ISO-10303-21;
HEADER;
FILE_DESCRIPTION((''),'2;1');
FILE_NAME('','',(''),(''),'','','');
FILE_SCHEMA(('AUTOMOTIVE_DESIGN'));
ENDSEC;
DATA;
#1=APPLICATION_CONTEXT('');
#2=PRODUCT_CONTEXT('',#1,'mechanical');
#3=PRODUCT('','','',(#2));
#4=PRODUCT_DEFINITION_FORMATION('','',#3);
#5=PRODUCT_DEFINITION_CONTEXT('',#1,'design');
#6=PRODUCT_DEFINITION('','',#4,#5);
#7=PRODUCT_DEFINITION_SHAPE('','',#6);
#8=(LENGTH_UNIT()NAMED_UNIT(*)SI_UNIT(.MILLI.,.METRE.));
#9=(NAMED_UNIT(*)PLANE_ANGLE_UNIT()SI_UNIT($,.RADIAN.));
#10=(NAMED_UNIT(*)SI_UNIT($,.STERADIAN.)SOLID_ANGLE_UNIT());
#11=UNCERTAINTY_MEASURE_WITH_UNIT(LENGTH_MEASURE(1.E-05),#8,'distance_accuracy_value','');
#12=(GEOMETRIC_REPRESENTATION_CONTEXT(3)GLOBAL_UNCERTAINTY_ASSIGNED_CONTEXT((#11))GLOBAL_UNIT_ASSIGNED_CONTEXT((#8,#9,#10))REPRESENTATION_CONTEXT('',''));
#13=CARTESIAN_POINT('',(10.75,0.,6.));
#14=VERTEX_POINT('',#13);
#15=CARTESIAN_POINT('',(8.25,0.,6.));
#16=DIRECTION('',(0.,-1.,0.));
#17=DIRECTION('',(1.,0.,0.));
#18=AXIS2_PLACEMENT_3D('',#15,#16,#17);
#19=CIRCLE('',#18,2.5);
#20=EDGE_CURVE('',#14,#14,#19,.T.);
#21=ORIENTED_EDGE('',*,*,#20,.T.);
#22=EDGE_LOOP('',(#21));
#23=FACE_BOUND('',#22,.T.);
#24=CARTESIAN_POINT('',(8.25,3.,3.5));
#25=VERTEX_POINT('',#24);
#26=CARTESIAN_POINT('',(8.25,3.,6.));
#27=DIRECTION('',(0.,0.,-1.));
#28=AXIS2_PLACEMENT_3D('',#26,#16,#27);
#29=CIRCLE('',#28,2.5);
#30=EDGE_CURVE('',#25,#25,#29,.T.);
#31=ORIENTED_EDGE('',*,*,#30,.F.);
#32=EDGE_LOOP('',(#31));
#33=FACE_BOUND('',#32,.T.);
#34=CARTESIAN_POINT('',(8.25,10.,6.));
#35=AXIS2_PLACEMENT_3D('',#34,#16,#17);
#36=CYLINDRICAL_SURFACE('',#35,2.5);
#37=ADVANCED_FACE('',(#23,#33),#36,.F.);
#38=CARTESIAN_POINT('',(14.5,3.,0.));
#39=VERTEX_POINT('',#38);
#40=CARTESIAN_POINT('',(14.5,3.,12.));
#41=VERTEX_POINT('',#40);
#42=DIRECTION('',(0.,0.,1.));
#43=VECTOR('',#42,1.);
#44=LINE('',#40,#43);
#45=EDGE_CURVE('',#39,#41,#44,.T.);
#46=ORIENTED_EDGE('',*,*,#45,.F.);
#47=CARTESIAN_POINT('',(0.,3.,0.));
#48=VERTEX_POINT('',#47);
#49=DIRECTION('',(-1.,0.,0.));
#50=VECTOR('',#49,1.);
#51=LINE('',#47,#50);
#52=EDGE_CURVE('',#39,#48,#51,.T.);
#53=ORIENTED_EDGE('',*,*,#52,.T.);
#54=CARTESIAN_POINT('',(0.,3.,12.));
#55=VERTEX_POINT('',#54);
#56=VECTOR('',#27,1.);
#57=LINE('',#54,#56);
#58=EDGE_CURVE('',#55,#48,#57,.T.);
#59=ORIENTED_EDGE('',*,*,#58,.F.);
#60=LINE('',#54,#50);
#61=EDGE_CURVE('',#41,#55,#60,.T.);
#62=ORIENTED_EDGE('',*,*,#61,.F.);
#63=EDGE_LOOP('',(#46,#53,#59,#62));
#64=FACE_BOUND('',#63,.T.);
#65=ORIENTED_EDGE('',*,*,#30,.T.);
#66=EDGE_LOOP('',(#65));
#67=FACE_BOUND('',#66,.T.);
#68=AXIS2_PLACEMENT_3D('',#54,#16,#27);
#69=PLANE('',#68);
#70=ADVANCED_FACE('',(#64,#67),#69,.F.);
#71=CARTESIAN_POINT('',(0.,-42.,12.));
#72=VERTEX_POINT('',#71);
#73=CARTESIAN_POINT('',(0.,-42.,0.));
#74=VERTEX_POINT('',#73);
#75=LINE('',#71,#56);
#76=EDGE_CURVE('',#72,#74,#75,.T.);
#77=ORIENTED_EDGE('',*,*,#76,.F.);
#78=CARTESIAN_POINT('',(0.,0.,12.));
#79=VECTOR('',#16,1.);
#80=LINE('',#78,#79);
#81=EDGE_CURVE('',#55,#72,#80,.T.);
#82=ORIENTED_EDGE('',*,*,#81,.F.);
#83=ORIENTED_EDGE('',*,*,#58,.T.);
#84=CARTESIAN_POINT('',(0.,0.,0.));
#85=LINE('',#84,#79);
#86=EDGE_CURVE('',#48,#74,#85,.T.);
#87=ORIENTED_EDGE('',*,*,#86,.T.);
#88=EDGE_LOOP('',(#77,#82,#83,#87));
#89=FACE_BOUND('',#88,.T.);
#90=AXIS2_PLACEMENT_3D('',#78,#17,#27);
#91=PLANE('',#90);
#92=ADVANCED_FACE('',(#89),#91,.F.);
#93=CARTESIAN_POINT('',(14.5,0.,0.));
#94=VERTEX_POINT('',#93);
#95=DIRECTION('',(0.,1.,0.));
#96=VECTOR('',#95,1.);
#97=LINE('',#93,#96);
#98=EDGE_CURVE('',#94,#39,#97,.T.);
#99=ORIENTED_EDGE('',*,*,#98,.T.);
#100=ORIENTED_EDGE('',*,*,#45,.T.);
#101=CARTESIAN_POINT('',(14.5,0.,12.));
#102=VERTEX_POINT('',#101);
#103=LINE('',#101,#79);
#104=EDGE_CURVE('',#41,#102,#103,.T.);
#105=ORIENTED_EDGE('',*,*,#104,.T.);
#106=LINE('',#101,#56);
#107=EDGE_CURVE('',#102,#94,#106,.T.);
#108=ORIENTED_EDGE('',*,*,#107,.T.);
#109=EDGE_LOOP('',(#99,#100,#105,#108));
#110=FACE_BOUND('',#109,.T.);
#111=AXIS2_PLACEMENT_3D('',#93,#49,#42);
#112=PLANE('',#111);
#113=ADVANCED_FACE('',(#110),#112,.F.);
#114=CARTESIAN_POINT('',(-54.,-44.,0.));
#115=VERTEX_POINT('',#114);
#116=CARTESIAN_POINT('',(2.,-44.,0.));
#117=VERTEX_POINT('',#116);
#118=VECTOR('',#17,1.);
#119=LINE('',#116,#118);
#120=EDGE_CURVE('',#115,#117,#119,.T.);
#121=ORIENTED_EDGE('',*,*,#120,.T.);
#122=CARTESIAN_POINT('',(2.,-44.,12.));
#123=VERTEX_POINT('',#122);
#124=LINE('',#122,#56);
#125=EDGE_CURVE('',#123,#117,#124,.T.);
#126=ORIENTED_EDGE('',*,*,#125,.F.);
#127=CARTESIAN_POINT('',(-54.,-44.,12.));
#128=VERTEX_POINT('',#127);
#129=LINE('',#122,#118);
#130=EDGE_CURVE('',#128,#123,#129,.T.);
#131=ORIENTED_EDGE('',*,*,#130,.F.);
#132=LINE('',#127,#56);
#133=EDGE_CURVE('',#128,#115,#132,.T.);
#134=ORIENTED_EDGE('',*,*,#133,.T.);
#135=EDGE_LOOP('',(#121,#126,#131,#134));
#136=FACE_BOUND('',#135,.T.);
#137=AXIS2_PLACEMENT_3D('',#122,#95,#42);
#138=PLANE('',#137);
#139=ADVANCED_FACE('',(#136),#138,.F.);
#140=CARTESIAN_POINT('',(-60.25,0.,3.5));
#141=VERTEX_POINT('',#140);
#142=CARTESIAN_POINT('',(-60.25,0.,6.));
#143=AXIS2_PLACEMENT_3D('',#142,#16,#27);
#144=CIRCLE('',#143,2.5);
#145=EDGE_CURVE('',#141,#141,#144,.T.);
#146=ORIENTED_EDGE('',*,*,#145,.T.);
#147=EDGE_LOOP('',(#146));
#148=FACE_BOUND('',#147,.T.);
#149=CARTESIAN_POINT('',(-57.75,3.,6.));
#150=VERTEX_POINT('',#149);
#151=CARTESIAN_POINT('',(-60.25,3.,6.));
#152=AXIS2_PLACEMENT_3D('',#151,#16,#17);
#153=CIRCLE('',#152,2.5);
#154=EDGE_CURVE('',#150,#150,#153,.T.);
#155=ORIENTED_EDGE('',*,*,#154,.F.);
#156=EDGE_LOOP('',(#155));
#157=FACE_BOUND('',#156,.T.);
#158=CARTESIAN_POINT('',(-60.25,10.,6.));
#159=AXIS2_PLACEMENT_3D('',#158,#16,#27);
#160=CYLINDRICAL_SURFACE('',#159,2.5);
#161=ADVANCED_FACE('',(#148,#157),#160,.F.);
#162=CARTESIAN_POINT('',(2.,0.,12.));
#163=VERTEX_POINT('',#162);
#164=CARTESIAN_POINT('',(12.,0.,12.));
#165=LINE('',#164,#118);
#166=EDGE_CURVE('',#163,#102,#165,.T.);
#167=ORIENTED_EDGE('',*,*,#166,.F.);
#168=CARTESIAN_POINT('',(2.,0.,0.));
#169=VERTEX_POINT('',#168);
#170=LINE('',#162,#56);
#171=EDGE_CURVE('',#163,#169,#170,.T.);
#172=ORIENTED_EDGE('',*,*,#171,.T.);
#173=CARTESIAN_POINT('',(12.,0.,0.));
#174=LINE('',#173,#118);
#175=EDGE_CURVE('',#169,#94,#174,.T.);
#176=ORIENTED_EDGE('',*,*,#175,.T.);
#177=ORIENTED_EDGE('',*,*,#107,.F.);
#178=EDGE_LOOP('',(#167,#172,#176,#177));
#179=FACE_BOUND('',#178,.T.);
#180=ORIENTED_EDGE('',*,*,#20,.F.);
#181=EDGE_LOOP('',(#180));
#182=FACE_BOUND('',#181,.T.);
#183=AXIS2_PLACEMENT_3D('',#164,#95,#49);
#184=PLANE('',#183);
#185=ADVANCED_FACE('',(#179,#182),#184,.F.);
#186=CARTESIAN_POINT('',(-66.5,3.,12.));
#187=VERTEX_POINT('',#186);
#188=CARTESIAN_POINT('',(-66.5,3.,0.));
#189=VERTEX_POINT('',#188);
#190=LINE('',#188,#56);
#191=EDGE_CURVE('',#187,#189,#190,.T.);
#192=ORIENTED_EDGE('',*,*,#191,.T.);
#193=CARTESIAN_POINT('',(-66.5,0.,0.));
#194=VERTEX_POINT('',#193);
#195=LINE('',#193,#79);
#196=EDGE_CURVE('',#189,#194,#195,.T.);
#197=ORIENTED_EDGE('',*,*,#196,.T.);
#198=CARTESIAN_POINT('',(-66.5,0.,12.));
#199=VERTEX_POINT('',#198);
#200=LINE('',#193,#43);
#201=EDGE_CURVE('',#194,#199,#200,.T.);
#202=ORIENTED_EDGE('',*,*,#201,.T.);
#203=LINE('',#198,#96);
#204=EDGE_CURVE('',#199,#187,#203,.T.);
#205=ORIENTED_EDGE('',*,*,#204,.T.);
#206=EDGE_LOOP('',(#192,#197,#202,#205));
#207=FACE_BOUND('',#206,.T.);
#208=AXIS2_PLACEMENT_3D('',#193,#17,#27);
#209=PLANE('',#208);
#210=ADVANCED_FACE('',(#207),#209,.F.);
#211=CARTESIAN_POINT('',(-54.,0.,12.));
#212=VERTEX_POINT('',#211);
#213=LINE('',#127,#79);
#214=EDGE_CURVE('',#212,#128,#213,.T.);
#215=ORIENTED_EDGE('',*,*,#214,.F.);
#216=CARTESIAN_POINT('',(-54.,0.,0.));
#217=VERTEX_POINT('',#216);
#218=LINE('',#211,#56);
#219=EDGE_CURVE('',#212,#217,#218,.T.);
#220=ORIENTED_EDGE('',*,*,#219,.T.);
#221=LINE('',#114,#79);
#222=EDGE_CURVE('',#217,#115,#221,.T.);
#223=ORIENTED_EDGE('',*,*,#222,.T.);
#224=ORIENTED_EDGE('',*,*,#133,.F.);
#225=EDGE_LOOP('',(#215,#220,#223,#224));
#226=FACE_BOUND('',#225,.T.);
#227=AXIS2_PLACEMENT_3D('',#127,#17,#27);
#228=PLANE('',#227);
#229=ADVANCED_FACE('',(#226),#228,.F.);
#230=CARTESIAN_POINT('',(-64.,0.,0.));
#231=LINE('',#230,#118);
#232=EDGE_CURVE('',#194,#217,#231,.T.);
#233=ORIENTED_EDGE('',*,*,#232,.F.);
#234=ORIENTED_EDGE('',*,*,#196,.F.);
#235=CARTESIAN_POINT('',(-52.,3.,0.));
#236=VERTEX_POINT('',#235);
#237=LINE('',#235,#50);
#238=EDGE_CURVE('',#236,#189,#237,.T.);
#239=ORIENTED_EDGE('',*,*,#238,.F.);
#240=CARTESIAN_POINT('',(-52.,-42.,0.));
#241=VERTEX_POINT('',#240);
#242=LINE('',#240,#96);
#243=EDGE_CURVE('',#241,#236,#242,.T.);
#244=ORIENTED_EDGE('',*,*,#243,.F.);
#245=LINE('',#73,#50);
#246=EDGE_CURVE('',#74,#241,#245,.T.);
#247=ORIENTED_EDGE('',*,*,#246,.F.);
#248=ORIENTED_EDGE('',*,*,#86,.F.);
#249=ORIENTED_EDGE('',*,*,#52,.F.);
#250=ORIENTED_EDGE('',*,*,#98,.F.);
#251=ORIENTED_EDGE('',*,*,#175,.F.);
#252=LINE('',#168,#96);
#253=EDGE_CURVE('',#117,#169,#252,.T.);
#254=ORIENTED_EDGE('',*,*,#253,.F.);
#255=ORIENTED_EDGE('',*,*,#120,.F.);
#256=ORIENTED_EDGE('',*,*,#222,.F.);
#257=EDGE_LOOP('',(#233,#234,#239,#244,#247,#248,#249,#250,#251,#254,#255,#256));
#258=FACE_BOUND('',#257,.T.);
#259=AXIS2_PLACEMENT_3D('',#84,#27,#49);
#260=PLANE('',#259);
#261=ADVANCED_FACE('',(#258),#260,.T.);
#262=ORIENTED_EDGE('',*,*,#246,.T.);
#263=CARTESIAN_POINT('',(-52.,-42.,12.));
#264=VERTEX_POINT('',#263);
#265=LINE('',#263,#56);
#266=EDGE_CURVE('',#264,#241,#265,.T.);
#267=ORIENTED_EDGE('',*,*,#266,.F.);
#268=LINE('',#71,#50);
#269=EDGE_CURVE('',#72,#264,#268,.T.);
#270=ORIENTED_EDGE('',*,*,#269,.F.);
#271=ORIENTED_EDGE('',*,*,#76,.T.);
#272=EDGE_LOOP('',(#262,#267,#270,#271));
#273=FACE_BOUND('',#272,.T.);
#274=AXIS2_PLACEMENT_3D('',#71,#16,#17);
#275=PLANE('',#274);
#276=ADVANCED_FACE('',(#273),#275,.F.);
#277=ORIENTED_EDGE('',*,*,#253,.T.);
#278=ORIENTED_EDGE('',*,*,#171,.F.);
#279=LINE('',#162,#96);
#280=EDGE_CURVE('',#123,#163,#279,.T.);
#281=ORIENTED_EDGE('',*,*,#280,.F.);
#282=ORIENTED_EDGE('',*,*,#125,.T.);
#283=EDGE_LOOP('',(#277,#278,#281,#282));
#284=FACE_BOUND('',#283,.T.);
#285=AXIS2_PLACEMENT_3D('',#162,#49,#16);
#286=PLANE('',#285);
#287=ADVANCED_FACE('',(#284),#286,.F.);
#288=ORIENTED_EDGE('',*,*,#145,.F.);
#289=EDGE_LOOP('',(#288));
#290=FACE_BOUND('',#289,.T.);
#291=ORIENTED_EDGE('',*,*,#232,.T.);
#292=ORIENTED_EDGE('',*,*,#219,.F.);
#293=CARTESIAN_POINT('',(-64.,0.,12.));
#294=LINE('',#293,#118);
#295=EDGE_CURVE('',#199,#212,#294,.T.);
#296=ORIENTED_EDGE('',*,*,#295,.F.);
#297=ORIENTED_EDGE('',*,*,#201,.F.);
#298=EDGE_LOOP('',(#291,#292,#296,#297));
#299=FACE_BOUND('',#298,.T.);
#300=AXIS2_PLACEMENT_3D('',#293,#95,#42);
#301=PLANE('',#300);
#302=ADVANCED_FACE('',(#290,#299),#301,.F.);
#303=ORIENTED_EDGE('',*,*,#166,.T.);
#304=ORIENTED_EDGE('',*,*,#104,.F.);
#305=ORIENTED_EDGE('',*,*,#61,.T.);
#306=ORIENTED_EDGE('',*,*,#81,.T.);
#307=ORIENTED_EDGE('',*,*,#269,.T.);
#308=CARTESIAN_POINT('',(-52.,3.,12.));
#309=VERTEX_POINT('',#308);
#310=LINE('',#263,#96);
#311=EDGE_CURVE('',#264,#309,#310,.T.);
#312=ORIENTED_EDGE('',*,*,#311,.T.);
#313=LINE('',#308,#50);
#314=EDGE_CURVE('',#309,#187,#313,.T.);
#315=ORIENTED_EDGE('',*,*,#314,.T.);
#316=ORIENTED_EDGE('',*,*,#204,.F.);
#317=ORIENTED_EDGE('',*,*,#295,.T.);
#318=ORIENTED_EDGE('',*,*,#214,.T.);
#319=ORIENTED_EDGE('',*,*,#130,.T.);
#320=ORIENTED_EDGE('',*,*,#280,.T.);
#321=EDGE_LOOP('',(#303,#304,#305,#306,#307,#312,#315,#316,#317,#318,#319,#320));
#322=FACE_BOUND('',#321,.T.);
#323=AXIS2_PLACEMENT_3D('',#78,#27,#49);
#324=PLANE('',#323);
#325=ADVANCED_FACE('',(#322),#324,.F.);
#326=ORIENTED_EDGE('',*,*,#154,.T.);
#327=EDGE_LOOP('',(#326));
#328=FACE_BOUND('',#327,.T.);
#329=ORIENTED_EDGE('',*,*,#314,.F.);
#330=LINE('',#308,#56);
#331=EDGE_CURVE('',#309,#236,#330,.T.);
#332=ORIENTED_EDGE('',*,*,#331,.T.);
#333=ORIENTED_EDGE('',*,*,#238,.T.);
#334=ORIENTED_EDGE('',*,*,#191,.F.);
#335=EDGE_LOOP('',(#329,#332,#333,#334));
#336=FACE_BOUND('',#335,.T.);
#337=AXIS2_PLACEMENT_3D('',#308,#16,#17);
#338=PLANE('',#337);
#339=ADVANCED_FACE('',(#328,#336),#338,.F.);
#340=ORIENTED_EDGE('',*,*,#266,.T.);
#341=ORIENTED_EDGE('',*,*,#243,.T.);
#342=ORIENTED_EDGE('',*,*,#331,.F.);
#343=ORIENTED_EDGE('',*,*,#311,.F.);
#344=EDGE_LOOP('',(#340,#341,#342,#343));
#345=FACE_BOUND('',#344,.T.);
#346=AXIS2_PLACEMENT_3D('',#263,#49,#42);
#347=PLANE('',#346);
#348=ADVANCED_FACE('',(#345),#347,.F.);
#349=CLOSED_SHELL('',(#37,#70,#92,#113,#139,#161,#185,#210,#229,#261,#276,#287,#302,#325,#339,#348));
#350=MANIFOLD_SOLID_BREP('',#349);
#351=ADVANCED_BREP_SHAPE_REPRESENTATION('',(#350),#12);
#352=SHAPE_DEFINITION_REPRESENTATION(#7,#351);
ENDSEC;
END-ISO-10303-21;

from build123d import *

# Parameters (mm, degrees)
BOSS_EXTRUDE1_DEPTH = 12
SKETCH3_W           = 12
SKETCH3_H           = 3
BOSS_EXTRUDE2_DEPTH = 2.5
SKETCH4_W           = 12
SKETCH4_H           = 3
BOSS_EXTRUDE3_DEPTH = 2.5
SKETCH6_R           = 2.5
CUT_EXTRUDE1_DEPTH  = 10
SKETCH7_R           = 2.5
CUT_EXTRUDE2_DEPTH  = 10


with BuildPart() as part:
    # Sketch1 → Boss-Extrude1 (new body)
    with BuildSketch(Plane.XY):
        Polygon((0, 0), (0, 3), (12, 3), (12, 0), (2, 0), (2, -44), (-54, -44), (-54, 0), (-64, 0), (-64, 3), (-52, 3), (-52, -42), (0, -42), align=None)
    extrude(amount=BOSS_EXTRUDE1_DEPTH)

    # Sketch3 → Boss-Extrude2 (add)
    with BuildSketch(Plane(origin=(12, 0, 0), x_dir=(0, 0, -1), z_dir=(1, 0, 0))):
        with Locations((-6, 1.5)):
            Rectangle(SKETCH3_W, SKETCH3_H)
    extrude(amount=BOSS_EXTRUDE2_DEPTH)

    # Sketch4 → Boss-Extrude3 (add)
    with BuildSketch(Plane.ZY.offset(64)):
        with Locations((6, 1.5)):
            Rectangle(SKETCH4_W, SKETCH4_H)
    extrude(amount=BOSS_EXTRUDE3_DEPTH)

    # Sketch6 → Cut-Extrude1 (cut)
    with BuildSketch(Plane.XZ):
        with Locations((-60.25, 6)):
            Circle(SKETCH6_R)
    extrude(amount=-CUT_EXTRUDE1_DEPTH, mode=Mode.SUBTRACT)

    # Sketch7 → Cut-Extrude2 (cut)
    with BuildSketch(Plane.XZ):
        with Locations((8.25, 6)):
            Circle(SKETCH7_R)
    extrude(amount=-CUT_EXTRUDE2_DEPTH, mode=Mode.SUBTRACT)


solid = part.part
